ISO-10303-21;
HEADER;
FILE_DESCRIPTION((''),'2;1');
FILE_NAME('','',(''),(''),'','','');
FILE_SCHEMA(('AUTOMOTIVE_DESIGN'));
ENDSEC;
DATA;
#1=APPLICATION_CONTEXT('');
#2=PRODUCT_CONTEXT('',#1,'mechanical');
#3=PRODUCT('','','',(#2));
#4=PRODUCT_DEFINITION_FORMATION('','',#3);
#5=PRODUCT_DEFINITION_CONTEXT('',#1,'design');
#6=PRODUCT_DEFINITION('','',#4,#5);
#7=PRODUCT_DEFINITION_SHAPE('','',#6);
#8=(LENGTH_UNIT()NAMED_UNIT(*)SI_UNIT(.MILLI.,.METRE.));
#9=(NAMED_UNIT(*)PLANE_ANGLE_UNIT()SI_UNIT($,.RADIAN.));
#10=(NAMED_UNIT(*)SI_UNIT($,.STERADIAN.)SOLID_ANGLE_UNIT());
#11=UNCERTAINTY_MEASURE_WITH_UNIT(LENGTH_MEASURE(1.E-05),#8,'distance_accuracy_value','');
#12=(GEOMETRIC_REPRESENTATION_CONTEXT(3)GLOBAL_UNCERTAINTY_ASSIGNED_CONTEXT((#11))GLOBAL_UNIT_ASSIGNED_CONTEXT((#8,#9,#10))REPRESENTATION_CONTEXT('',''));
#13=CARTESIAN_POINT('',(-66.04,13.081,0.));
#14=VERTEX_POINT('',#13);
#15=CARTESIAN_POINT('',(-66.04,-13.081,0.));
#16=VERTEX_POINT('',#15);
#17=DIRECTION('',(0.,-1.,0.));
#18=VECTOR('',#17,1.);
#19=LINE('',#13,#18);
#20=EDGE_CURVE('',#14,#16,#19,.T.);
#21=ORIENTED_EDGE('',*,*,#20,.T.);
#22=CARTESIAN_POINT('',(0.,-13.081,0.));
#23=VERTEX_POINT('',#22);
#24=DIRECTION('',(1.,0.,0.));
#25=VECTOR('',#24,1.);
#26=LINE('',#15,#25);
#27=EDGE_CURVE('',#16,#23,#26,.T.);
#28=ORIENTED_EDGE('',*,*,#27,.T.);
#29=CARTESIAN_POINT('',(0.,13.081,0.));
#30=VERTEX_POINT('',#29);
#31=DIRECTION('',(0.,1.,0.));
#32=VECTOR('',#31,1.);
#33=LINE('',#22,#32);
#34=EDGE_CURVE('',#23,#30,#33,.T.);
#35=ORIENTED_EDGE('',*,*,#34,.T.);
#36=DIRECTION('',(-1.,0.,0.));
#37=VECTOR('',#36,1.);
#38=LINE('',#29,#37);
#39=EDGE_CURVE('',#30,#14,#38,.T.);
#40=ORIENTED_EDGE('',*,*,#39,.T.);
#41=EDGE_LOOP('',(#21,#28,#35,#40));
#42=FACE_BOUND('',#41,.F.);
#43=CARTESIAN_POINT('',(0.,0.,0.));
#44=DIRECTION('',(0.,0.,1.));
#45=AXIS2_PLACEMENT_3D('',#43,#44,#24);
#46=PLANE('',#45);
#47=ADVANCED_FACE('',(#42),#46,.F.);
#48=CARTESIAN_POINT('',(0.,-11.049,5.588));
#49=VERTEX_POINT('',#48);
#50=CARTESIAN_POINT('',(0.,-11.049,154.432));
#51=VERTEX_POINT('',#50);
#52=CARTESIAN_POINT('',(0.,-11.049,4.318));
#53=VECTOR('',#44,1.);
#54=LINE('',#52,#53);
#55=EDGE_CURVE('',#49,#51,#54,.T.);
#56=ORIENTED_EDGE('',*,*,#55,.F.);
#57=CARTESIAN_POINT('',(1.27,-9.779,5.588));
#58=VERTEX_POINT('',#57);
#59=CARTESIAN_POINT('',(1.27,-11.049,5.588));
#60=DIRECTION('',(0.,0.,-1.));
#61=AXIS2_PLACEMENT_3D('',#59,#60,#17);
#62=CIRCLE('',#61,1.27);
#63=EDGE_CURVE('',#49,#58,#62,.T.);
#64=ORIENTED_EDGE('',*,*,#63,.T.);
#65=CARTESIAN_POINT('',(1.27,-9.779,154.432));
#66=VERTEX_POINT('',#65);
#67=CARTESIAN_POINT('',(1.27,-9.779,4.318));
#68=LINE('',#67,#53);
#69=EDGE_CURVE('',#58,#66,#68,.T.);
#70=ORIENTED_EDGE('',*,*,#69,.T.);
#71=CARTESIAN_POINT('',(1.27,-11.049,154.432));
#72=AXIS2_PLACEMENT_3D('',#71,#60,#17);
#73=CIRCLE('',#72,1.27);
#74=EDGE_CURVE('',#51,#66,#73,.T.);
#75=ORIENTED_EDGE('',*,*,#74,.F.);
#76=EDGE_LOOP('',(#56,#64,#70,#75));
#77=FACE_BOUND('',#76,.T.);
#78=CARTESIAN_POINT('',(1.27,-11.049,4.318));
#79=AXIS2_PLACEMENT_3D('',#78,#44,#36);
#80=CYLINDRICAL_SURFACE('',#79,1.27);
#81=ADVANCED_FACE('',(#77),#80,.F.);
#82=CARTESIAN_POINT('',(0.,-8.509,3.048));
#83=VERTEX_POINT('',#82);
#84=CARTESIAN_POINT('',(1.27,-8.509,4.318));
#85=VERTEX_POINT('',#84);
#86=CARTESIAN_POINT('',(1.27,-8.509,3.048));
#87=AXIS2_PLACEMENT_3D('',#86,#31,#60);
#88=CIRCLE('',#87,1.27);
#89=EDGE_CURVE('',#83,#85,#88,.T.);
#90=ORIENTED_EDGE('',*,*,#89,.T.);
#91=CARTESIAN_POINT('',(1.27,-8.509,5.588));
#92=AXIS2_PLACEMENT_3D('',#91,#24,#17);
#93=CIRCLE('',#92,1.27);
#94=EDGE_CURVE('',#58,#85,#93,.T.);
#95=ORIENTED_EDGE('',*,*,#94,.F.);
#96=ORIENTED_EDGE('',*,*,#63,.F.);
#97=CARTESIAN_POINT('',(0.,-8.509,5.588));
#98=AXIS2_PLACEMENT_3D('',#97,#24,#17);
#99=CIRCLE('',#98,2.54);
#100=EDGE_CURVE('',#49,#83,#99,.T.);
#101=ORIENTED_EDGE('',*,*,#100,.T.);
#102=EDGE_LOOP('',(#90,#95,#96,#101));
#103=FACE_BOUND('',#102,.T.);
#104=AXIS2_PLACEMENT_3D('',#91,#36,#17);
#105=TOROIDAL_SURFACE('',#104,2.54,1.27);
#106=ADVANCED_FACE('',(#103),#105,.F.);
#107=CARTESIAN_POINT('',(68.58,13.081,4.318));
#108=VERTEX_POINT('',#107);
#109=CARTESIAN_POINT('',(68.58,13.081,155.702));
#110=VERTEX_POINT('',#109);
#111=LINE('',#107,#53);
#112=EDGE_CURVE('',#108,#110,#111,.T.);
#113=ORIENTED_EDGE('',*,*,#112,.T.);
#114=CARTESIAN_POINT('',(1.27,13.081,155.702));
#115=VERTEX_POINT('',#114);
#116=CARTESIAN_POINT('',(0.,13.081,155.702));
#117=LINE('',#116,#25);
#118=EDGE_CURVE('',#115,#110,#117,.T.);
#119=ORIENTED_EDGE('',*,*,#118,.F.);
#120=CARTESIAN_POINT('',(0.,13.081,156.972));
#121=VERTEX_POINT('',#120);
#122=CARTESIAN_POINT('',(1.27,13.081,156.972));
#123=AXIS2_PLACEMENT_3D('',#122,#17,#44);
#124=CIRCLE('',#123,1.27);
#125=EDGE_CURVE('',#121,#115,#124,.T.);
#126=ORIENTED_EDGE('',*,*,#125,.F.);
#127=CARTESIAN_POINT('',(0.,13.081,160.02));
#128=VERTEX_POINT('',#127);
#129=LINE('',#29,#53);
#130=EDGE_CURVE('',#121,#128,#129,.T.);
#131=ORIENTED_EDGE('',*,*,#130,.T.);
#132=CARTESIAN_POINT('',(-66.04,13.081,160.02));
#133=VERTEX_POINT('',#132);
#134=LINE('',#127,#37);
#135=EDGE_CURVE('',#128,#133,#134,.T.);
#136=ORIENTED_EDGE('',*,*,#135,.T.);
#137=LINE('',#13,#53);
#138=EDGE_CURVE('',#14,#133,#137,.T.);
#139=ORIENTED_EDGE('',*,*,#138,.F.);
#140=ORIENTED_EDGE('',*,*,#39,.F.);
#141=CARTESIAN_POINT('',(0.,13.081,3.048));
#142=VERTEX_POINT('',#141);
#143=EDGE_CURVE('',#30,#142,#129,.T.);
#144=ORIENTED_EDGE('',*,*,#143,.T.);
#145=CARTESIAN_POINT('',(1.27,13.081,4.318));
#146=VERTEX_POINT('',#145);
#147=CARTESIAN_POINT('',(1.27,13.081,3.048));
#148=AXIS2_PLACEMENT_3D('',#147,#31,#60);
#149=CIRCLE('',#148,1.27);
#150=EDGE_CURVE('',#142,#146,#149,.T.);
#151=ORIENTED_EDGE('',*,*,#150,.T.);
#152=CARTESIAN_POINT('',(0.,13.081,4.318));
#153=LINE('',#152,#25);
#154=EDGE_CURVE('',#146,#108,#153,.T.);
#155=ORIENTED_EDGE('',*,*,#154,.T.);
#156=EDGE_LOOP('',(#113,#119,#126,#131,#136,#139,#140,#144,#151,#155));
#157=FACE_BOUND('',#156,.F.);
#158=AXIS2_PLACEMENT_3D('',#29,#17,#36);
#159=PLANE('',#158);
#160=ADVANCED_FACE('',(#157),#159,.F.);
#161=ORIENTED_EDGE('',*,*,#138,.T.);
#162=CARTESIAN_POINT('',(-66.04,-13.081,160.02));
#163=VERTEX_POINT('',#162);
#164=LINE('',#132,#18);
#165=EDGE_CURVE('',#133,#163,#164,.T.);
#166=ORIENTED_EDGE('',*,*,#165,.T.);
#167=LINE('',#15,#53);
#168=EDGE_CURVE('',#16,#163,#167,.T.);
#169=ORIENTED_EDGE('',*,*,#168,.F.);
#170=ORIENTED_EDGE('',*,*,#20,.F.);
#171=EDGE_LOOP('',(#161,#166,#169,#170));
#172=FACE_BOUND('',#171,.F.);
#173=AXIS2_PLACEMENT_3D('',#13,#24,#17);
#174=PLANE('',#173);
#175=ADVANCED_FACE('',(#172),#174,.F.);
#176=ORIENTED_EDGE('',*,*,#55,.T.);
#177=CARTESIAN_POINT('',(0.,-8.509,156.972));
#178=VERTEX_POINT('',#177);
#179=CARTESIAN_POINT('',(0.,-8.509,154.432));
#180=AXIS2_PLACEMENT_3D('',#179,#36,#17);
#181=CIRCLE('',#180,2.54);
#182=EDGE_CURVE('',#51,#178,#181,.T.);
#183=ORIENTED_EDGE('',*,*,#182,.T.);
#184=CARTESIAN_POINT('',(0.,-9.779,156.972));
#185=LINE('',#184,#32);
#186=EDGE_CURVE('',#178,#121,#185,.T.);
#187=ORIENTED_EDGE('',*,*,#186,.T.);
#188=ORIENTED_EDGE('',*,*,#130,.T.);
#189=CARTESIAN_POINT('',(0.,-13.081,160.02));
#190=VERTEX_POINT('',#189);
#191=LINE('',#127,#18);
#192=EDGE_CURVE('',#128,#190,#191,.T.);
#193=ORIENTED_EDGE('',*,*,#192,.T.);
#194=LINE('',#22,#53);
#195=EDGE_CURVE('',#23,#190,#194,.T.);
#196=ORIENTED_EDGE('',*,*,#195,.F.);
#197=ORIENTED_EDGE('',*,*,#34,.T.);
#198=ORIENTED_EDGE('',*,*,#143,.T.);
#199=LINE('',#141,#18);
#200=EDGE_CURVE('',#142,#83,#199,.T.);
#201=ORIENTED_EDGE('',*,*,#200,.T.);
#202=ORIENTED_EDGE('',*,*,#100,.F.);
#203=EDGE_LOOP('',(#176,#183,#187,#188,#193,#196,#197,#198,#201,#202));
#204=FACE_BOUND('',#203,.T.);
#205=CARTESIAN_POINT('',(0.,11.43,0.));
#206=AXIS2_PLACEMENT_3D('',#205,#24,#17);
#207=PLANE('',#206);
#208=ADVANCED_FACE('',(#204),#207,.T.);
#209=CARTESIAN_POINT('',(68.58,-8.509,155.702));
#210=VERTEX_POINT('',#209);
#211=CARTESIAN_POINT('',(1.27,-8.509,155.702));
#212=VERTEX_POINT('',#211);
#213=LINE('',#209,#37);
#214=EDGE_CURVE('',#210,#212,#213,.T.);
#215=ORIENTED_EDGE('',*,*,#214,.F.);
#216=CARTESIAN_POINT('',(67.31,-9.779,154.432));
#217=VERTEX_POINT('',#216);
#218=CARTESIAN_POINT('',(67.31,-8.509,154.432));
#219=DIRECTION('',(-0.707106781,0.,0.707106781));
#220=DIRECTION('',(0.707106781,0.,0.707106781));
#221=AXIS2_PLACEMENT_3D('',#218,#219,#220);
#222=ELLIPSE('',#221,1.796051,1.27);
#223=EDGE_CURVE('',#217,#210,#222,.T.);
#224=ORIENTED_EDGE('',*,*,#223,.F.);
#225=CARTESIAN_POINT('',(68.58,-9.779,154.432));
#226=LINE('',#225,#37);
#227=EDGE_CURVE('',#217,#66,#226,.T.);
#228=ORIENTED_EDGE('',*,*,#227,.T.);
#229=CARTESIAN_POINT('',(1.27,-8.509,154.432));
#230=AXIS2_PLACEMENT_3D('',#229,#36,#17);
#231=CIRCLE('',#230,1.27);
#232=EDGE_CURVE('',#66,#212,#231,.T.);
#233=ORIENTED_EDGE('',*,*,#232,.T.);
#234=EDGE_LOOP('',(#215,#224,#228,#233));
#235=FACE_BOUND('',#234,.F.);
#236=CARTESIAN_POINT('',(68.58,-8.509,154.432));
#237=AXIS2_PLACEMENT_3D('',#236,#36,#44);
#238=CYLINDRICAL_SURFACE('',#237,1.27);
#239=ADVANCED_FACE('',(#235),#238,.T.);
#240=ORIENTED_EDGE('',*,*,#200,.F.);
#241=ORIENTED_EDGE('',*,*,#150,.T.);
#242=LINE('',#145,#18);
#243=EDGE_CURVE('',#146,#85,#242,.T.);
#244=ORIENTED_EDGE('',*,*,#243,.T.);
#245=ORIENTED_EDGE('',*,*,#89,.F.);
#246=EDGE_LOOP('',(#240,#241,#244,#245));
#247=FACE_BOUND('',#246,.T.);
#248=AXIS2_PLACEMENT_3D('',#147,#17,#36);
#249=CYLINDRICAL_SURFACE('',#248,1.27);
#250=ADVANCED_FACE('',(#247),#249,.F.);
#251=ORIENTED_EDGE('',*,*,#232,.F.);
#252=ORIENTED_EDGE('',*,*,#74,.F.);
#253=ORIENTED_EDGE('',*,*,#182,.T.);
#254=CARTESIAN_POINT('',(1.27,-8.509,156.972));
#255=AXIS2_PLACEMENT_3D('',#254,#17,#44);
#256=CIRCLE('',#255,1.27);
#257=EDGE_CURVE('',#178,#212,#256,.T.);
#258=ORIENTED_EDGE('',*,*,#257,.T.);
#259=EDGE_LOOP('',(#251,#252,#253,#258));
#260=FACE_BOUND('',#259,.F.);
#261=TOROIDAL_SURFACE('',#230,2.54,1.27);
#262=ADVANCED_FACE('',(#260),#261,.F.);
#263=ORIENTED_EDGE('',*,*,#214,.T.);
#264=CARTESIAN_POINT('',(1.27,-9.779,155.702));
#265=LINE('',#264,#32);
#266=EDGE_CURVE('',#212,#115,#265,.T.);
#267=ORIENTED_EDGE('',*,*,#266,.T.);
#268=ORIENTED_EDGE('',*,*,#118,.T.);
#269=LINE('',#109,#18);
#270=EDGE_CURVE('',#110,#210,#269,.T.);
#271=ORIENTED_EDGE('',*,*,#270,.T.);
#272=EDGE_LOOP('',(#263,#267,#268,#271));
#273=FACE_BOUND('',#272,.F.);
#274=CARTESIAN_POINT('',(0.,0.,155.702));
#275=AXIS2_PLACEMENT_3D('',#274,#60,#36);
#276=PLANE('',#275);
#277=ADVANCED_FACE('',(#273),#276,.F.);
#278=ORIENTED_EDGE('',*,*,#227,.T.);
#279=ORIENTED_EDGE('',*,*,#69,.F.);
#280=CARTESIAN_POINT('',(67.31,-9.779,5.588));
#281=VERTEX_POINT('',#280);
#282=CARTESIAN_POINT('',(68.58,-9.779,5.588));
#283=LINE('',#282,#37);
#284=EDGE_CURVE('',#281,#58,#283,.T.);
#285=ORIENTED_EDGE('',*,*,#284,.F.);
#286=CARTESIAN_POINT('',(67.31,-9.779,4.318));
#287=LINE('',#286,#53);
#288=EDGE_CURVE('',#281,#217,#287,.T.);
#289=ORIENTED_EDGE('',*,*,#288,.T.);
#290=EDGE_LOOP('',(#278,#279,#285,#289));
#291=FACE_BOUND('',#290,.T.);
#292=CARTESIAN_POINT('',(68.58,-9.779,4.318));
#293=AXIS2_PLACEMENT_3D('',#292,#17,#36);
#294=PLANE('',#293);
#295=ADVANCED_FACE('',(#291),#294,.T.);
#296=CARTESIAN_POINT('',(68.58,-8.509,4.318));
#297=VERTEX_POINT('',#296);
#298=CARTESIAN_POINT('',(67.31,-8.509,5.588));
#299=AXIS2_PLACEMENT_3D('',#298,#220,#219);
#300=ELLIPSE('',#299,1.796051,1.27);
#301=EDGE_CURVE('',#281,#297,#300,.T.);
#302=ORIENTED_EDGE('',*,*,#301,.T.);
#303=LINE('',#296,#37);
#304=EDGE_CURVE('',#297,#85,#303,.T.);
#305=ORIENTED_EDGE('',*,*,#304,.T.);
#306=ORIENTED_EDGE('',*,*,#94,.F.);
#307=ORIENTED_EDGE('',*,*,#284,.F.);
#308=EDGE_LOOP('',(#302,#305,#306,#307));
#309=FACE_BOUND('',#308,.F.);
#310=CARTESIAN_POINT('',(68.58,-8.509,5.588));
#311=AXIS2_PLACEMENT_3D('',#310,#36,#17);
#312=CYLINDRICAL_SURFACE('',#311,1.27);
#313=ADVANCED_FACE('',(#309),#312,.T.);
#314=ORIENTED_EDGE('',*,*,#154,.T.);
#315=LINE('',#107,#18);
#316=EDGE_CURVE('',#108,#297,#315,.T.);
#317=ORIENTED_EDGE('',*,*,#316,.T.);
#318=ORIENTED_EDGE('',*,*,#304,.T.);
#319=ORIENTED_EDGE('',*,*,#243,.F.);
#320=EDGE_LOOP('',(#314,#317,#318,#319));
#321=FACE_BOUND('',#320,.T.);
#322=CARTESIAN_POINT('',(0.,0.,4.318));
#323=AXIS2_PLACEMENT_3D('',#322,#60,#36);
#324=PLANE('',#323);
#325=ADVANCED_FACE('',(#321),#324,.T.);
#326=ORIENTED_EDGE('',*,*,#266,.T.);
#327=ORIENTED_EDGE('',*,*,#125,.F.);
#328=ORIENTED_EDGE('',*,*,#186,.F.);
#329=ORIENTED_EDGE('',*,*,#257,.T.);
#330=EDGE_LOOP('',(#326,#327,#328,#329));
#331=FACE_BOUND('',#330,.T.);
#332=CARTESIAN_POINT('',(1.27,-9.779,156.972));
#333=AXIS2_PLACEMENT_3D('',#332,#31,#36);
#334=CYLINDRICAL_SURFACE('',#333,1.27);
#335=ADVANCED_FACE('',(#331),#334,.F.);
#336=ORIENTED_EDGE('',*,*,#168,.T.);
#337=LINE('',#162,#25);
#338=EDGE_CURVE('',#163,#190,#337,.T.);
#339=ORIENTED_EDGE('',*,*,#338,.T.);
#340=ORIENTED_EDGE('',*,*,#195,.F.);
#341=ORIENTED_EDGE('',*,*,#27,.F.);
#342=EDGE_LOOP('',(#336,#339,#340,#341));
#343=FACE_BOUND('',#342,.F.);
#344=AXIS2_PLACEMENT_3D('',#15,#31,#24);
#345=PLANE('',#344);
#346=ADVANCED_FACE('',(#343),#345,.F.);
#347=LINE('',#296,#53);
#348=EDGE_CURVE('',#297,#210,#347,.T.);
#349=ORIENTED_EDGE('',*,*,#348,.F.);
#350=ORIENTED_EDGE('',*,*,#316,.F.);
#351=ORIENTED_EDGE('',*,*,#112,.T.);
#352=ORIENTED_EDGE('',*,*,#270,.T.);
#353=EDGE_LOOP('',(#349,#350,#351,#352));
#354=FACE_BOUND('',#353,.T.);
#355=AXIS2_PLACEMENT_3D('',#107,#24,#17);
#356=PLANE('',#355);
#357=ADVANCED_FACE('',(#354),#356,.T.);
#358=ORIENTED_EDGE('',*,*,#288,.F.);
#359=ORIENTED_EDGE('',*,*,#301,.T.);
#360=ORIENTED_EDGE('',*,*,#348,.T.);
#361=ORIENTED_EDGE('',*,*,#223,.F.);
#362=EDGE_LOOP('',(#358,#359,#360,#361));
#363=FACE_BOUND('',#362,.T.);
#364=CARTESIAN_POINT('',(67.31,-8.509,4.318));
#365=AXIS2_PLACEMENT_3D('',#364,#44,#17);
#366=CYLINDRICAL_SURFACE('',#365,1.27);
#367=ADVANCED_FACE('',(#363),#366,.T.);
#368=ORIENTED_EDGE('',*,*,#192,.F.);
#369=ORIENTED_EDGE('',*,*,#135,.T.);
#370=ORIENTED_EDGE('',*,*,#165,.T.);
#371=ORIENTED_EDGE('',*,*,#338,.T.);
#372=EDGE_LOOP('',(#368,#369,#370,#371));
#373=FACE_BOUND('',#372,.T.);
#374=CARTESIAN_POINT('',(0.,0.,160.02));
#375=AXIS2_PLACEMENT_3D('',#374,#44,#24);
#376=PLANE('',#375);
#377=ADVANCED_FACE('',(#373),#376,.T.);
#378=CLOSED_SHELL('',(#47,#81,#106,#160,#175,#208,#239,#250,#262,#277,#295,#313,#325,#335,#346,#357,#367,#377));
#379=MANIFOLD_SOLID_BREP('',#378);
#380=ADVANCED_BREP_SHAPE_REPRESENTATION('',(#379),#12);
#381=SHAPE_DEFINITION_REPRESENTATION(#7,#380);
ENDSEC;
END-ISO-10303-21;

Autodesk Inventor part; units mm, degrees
ref_plane "YZ Plane" through (0, 0, 0) normal (1, 0, 0) x (0, 1, 0)
ref_plane "XZ Plane" through (0, 0, 0) normal (0, 1, 0) x (-1, 0, 0)
sketch "Sketch1" plane through (0, 0, 0) normal (0, 0, 1) x (1, 0, 0)
  line L0 (0, 11.43) -> (0, -11.43)
  line L1 (0, 13.081) -> (-66.04, 13.081)
  line L2 (-66.04, 13.081) -> (-66.04, -13.081)
  line L3 (-66.04, -13.081) -> (0, -13.081)
  line L4 (0, -13.081) -> (0, 13.081)
  point P0 (0, 0)
  point P1 (0, 0)
  dimension "d1" = 26.162
  dimension "d3" = 66.04
extrude "Extrusion1" add sketch "Sketch1" along normal blind 160.02
ref_plane "Work Plane1" through (0, 0, 4.318) normal (0, 0, -1) x (-1, 0, 0)
sketch "Sketch3" plane through (0, 0, 4.318) normal (0, 0, -1) x (-1, 0, 0)
  line L0 (0, 13.081) -> (-68.58, 13.081)
  line L1 (-68.58, 13.081) -> (-68.58, -9.779)
  line L2 (-68.58, -9.779) -> (0, -9.779)
  line L3 (0, -9.779) -> (0, 13.081)
  line L4 (0, -13.081) -> (0, 13.081) projected
  line L5 (66.04, 13.081) -> (66.04, -13.081) projected
  line L6 (0, 13.081) -> (66.04, 13.081) projected
  point P0 (0, 0)
  point P1 (0, 0)
  dimension "d13" = 22.86
  dimension "d14" = 134.62
extrude "Extrusion3" add sketch "Sketch3" against normal blind 151.384
fillet "Fillet1" radius 1.27 6 edges at (34.29, -9.779, 4.318) (68.58, -9.779, 80.01) (34.29, -9.779, 155.702) (0, -9.779, 80.01) (0, 1.651, 155.702) (0, 1.651, 4.318)
properties part number "BatteryInBag"
